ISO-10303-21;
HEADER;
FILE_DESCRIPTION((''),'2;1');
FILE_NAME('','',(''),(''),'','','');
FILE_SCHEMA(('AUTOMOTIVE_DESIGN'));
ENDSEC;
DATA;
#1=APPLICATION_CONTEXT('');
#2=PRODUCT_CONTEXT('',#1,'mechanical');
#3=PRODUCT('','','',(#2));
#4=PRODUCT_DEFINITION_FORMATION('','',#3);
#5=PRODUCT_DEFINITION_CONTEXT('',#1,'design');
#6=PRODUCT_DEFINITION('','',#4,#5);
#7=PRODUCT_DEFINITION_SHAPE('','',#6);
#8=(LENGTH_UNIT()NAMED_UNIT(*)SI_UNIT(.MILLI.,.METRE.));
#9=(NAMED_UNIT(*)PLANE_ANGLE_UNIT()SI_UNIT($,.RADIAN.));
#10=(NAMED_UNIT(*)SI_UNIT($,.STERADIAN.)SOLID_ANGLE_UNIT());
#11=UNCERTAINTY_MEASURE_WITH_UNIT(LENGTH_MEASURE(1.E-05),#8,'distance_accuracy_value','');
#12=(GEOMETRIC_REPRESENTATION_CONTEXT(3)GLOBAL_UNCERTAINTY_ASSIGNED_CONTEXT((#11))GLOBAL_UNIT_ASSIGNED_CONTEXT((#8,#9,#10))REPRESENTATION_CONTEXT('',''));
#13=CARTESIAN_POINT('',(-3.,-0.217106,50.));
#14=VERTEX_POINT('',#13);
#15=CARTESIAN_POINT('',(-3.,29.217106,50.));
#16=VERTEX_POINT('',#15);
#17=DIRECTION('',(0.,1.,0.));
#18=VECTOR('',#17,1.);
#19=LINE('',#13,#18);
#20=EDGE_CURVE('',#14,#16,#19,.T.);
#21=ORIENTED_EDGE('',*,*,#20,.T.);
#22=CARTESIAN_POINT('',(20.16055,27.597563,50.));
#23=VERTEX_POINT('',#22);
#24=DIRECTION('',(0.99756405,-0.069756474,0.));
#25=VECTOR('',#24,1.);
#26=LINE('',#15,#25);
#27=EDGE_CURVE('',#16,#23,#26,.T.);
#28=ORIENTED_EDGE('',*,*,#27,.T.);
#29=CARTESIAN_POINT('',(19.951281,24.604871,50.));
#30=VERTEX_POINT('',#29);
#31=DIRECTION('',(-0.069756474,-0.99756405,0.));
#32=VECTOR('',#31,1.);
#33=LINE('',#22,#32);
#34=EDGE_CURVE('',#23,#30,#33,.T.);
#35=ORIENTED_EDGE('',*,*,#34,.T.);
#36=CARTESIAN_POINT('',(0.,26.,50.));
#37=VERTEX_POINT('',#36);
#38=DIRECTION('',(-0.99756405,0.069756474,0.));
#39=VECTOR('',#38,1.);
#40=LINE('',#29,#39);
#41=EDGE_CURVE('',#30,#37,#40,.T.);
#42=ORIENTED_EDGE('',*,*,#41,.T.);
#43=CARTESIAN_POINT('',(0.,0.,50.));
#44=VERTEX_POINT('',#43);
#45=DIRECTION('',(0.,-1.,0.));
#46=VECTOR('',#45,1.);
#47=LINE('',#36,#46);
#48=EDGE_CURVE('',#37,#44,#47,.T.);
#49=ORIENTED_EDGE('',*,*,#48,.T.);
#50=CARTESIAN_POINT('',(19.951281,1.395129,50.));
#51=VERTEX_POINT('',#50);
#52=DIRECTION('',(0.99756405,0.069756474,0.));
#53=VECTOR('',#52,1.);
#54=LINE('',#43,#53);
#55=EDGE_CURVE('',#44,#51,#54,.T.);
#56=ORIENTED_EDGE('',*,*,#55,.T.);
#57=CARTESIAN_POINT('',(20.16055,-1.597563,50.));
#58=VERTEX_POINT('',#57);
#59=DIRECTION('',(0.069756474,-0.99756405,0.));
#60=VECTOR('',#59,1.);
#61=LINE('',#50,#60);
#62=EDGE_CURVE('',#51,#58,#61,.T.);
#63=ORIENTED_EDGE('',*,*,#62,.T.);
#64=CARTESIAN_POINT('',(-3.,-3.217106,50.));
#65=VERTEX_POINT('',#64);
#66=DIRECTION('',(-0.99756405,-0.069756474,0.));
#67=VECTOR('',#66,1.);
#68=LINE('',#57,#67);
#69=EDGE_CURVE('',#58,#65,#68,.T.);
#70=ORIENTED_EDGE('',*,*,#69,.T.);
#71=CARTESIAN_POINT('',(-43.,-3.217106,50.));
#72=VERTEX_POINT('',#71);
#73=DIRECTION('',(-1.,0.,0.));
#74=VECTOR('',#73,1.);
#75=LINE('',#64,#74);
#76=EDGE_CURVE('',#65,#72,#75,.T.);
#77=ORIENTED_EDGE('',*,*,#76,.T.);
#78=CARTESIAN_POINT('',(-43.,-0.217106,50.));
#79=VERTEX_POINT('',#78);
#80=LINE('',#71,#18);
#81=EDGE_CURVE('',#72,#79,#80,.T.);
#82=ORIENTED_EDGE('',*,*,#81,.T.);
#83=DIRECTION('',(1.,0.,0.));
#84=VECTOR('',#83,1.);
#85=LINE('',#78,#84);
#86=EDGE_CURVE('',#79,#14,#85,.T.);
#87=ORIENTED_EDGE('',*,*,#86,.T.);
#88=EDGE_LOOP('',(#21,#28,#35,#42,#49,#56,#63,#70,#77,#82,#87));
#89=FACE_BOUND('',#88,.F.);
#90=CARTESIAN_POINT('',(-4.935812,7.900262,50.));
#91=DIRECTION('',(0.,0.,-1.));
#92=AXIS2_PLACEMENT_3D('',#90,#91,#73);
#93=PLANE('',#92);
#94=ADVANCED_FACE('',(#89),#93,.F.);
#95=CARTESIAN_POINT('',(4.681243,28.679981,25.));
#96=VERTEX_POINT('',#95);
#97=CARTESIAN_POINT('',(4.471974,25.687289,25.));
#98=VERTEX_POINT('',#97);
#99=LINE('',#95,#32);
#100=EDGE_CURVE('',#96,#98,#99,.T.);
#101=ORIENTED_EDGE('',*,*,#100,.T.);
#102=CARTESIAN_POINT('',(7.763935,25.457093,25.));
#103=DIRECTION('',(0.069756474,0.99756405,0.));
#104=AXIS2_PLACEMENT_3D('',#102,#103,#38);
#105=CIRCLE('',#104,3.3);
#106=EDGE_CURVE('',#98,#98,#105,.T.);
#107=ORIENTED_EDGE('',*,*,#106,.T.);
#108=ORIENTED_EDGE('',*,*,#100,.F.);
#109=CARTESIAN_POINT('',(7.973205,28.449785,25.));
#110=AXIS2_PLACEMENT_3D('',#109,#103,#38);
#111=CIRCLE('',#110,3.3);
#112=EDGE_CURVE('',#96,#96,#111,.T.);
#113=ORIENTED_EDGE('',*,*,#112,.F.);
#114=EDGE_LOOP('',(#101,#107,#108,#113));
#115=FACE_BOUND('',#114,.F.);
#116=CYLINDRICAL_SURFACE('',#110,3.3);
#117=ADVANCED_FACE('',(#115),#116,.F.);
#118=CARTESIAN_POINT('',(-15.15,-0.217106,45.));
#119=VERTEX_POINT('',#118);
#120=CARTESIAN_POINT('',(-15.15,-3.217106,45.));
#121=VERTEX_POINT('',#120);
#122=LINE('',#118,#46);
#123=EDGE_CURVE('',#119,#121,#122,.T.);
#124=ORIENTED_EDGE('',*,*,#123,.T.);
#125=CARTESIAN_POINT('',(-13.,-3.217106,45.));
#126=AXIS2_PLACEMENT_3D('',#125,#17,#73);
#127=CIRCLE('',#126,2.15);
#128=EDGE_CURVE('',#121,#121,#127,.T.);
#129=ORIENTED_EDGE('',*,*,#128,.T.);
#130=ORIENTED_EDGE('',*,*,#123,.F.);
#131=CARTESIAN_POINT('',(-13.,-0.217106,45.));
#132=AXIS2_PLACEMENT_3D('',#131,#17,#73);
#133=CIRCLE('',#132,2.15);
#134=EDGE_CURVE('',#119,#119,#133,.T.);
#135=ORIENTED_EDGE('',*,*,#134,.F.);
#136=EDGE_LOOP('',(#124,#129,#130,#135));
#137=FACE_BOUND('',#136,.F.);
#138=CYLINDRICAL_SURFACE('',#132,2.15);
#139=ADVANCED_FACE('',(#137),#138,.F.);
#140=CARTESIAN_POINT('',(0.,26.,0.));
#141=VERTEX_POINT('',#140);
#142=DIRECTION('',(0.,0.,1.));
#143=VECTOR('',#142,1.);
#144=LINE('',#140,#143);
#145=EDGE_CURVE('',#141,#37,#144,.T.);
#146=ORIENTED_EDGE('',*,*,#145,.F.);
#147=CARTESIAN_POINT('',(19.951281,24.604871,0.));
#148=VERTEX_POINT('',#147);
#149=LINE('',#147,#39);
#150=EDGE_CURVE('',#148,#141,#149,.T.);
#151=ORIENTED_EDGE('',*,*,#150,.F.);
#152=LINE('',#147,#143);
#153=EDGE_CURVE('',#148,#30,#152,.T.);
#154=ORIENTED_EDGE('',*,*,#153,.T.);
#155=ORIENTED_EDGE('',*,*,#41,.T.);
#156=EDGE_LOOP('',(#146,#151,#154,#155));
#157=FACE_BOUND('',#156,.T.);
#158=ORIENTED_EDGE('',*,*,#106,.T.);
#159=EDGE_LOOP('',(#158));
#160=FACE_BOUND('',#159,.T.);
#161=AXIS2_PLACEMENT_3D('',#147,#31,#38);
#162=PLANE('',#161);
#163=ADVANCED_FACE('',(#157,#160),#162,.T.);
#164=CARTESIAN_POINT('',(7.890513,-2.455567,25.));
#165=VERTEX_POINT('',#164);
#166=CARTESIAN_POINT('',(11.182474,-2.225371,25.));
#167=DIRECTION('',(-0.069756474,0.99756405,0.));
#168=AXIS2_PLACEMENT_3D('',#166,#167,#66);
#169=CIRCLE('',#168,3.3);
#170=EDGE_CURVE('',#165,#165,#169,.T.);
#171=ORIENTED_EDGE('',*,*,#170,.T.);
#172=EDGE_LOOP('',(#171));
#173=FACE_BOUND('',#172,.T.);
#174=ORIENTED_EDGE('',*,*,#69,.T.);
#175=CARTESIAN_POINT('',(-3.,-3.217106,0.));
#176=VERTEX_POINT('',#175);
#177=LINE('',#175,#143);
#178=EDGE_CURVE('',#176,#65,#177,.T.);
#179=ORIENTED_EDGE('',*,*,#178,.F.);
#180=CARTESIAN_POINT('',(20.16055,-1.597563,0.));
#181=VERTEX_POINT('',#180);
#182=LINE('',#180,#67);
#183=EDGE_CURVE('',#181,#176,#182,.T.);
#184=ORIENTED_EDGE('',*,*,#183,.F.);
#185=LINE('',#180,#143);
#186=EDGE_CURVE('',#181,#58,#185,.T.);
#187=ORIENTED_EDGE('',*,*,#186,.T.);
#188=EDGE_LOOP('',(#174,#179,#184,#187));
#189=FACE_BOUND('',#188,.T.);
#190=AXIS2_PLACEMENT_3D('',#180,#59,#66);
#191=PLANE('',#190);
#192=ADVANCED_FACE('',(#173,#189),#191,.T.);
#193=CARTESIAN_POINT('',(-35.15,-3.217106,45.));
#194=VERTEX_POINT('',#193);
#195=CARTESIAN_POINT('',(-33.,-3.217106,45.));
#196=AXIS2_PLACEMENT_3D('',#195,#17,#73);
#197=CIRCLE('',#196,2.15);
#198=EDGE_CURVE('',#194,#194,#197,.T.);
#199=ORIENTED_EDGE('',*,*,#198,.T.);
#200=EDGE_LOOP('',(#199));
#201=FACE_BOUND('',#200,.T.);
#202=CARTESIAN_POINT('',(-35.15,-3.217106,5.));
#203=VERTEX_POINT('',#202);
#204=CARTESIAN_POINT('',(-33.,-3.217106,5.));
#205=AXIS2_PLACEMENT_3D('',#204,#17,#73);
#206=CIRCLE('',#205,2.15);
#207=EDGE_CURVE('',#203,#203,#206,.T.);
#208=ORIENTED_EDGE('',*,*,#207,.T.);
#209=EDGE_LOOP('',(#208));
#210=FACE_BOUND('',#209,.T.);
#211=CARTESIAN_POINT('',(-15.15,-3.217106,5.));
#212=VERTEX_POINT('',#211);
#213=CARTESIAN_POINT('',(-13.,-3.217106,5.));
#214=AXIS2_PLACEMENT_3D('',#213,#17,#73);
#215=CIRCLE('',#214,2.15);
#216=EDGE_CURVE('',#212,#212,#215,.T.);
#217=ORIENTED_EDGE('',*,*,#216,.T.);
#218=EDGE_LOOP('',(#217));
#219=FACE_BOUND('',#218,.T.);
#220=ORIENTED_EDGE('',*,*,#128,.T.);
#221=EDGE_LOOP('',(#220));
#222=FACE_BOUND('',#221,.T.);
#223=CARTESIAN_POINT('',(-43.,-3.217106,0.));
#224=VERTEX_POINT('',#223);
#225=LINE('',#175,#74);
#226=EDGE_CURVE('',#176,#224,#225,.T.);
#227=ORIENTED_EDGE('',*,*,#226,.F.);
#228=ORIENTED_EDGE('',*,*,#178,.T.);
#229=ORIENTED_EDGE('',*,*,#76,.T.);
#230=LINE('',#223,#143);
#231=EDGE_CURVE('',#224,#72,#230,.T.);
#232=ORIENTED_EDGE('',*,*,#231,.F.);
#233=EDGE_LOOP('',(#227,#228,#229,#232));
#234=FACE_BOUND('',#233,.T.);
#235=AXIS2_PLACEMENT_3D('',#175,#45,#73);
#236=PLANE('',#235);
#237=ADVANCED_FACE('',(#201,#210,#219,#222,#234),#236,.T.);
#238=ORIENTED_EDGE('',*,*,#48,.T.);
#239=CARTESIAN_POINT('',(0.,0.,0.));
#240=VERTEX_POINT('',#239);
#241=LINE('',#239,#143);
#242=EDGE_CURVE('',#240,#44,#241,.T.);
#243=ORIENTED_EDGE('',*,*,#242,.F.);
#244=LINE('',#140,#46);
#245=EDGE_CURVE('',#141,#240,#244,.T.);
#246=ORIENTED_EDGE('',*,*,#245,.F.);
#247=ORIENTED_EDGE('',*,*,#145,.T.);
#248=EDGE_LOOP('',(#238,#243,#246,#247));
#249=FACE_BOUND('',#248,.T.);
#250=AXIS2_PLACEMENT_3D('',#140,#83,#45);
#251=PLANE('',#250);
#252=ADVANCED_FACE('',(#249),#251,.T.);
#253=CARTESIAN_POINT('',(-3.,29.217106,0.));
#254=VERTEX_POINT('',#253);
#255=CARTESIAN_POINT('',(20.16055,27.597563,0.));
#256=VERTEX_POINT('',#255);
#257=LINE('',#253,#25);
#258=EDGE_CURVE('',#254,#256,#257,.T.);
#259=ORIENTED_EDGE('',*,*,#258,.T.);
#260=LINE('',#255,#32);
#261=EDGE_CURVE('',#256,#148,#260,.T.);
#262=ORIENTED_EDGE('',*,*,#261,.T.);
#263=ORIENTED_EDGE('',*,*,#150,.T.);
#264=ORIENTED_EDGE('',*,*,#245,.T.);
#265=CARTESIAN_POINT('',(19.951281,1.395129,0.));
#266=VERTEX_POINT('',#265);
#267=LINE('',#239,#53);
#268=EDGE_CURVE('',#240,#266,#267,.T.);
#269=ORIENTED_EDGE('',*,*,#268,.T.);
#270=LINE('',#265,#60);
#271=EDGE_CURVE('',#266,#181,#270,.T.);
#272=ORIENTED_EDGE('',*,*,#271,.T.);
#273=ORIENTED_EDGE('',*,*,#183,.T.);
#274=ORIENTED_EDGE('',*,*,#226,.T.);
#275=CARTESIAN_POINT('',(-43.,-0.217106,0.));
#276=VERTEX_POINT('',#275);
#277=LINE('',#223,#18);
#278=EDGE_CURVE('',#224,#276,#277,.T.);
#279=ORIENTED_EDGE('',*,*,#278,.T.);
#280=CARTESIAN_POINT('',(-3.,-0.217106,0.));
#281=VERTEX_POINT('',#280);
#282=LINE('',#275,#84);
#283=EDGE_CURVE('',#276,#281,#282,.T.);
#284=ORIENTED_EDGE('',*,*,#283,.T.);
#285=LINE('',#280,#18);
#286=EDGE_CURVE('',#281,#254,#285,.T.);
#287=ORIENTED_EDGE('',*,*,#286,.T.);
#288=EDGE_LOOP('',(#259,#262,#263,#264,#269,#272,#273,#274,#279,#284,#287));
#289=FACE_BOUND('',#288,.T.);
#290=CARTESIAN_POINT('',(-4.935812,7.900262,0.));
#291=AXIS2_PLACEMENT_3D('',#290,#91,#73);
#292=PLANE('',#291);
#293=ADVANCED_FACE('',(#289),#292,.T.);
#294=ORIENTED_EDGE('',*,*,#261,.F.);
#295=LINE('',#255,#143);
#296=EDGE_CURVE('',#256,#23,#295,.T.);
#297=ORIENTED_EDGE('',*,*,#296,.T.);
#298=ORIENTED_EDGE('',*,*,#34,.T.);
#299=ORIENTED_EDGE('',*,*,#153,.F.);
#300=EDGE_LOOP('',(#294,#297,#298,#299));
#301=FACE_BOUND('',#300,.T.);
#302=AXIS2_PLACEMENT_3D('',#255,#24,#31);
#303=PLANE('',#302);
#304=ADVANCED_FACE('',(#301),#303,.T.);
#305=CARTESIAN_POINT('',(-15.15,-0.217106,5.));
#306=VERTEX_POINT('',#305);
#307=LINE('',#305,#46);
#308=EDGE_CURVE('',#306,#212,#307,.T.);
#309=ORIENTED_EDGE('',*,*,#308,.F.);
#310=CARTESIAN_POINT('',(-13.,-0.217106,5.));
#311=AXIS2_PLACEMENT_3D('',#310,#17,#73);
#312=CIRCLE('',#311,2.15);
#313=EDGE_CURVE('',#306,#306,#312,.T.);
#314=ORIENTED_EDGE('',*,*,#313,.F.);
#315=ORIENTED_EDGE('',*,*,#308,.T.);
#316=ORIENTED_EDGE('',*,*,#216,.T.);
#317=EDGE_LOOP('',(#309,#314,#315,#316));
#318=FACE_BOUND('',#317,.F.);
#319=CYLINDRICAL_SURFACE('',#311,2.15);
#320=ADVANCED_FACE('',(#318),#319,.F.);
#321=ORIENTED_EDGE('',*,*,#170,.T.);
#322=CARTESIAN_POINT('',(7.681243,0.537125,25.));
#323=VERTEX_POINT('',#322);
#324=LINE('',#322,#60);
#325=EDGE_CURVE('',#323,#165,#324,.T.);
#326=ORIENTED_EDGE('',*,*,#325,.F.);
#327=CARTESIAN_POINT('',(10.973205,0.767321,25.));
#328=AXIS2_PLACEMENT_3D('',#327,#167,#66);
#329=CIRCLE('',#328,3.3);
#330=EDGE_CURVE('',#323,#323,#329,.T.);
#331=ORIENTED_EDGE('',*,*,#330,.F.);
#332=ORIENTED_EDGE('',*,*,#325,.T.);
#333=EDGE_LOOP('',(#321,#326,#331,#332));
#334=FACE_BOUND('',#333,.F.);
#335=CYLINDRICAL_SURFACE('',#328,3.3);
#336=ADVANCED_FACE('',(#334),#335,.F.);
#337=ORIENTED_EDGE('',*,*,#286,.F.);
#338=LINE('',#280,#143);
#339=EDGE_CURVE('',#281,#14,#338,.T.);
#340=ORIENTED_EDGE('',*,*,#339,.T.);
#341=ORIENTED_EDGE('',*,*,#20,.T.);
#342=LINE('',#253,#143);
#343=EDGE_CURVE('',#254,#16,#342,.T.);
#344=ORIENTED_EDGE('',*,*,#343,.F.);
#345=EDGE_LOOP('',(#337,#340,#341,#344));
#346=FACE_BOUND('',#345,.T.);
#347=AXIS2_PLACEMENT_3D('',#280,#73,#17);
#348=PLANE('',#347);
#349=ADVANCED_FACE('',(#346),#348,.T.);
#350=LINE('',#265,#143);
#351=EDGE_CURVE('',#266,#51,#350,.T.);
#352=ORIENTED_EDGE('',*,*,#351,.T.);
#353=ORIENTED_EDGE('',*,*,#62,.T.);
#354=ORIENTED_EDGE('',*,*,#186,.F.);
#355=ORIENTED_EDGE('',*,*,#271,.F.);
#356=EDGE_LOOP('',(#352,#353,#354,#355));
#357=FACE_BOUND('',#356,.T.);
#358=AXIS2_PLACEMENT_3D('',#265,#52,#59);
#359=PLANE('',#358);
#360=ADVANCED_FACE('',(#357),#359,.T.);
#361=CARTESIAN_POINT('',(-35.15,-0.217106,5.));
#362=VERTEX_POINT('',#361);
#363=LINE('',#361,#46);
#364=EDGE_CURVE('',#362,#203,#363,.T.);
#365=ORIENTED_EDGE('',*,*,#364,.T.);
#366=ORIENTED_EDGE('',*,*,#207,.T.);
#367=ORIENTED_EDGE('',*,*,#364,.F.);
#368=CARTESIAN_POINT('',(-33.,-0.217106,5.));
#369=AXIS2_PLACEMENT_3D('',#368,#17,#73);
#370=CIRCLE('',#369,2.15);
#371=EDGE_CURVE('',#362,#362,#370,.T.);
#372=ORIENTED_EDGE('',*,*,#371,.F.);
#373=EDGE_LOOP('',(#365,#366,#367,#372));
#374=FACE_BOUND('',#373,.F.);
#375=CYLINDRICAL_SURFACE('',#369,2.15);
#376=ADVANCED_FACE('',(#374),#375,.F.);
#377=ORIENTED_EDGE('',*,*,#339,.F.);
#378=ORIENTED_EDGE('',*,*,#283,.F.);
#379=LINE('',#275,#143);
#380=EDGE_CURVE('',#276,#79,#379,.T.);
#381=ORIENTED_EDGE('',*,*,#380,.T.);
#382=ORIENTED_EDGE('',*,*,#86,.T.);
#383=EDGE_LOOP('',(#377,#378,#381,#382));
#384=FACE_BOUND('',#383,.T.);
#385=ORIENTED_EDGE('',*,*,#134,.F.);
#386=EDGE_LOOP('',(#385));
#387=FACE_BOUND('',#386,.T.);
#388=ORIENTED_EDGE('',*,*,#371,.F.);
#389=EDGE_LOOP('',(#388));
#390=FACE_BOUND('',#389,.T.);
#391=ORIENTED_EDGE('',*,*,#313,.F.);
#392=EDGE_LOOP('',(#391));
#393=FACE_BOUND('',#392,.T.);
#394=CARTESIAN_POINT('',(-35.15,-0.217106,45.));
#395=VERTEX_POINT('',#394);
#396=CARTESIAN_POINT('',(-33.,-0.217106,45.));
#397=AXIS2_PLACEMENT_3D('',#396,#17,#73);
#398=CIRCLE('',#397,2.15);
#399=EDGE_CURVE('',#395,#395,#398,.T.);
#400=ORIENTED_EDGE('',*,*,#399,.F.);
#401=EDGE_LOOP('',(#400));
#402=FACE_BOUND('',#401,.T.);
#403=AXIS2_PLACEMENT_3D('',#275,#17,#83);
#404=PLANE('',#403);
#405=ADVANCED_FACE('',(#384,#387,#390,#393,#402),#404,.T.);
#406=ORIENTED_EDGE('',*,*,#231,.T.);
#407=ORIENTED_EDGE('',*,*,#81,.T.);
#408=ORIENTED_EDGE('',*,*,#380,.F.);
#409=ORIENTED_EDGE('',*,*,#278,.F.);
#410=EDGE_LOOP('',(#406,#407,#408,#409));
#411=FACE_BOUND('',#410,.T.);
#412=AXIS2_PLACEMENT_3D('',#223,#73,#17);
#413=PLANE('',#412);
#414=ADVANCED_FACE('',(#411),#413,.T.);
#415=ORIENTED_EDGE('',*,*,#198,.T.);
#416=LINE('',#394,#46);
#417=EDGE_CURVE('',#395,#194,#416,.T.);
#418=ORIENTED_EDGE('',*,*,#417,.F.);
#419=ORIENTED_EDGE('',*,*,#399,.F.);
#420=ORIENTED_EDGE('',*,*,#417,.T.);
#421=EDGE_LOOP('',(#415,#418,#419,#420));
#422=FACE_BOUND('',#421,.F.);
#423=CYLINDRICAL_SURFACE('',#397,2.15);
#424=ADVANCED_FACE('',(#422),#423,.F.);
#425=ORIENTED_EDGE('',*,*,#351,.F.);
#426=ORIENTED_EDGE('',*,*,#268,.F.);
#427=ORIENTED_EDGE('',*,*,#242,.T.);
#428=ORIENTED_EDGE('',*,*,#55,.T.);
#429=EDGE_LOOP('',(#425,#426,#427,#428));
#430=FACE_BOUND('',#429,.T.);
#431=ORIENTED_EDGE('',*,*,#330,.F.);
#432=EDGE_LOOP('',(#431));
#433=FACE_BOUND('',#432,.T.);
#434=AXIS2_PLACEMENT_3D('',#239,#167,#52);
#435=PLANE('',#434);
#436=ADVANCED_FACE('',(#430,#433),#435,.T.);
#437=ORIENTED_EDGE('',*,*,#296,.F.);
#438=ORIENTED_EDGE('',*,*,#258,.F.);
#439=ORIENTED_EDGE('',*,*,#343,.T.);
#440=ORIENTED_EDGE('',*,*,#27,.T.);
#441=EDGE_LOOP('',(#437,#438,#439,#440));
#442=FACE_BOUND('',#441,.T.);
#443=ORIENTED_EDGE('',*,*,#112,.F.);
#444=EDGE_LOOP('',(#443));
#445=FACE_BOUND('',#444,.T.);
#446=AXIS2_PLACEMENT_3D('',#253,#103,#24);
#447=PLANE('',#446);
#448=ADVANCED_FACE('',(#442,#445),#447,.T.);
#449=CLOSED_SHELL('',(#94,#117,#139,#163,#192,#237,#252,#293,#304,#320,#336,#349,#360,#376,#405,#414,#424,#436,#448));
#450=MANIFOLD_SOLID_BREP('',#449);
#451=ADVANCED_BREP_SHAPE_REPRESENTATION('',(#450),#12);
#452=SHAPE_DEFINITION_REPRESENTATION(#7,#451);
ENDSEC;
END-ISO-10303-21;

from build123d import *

# Parameters (mm, degrees)
PAD_DEPTH       = 50
SKETCH001_R     = 2.15
POCKET_DEPTH    = 5
SKETCH002_R     = 3.3
POCKET001_DEPTH = 5
SKETCH003_R     = 3.3
POCKET002_DEPTH = 5


with BuildPart() as part:
    # Sketch → Pad (new body)
    with BuildSketch(Plane.XY):
        Polygon((0, 26), (0, 0), (19.9512810052, 1.3951294749), (20.1605504264, -1.5975626759), (-3, -3.2171061301), (-43, -3.2171061301), (-43, -0.2171061301), (-3, -0.2171061301), (-3, 29.2171061301), (20.1605504264, 27.5975626759), (19.9512810052, 24.6048705251), align=None)
    extrude(amount=PAD_DEPTH)

    # Sketch001 (on Face7 of Pad) → Pocket (cut)
    with BuildSketch(Plane(origin=(0, -0.2171061301, 0), x_dir=(-1, 0, 0), z_dir=(0, 1, 0))):
        with Locations((13, 45)):
            Circle(SKETCH001_R)
        with Locations((33, 45)):
            Circle(SKETCH001_R)
        with Locations((13, 5)):
            Circle(SKETCH001_R)
        with Locations((33, 5)):
            Circle(SKETCH001_R)
    extrude(amount=-POCKET_DEPTH, mode=Mode.SUBTRACT)

    # Sketch002 (on Face13 of Pocket) → Pocket001 (cut)
    with BuildSketch(Plane(origin=(2.0185197337, 28.8661770444, 0), x_dir=(-0.9975640503, 0.0697564737, 0), z_dir=(0.0697564737, 0.9975640503, 0))):
        with Locations((-5.9692255526, 25)):
            Circle(SKETCH002_R)
    extrude(amount=-POCKET001_DEPTH, mode=Mode.SUBTRACT)

    # Sketch003 (on Face3 of Pocket001) → Pocket002 (cut)
    with BuildSketch(Plane(origin=(0, 0, 0), x_dir=(-0.9975640503, -0.0697564737, 0), z_dir=(-0.0697564737, 0.9975640503, 0))):
        with Locations((-11, 25)):
            Circle(SKETCH003_R)
    extrude(amount=-POCKET002_DEPTH, mode=Mode.SUBTRACT)


solid = part.part
